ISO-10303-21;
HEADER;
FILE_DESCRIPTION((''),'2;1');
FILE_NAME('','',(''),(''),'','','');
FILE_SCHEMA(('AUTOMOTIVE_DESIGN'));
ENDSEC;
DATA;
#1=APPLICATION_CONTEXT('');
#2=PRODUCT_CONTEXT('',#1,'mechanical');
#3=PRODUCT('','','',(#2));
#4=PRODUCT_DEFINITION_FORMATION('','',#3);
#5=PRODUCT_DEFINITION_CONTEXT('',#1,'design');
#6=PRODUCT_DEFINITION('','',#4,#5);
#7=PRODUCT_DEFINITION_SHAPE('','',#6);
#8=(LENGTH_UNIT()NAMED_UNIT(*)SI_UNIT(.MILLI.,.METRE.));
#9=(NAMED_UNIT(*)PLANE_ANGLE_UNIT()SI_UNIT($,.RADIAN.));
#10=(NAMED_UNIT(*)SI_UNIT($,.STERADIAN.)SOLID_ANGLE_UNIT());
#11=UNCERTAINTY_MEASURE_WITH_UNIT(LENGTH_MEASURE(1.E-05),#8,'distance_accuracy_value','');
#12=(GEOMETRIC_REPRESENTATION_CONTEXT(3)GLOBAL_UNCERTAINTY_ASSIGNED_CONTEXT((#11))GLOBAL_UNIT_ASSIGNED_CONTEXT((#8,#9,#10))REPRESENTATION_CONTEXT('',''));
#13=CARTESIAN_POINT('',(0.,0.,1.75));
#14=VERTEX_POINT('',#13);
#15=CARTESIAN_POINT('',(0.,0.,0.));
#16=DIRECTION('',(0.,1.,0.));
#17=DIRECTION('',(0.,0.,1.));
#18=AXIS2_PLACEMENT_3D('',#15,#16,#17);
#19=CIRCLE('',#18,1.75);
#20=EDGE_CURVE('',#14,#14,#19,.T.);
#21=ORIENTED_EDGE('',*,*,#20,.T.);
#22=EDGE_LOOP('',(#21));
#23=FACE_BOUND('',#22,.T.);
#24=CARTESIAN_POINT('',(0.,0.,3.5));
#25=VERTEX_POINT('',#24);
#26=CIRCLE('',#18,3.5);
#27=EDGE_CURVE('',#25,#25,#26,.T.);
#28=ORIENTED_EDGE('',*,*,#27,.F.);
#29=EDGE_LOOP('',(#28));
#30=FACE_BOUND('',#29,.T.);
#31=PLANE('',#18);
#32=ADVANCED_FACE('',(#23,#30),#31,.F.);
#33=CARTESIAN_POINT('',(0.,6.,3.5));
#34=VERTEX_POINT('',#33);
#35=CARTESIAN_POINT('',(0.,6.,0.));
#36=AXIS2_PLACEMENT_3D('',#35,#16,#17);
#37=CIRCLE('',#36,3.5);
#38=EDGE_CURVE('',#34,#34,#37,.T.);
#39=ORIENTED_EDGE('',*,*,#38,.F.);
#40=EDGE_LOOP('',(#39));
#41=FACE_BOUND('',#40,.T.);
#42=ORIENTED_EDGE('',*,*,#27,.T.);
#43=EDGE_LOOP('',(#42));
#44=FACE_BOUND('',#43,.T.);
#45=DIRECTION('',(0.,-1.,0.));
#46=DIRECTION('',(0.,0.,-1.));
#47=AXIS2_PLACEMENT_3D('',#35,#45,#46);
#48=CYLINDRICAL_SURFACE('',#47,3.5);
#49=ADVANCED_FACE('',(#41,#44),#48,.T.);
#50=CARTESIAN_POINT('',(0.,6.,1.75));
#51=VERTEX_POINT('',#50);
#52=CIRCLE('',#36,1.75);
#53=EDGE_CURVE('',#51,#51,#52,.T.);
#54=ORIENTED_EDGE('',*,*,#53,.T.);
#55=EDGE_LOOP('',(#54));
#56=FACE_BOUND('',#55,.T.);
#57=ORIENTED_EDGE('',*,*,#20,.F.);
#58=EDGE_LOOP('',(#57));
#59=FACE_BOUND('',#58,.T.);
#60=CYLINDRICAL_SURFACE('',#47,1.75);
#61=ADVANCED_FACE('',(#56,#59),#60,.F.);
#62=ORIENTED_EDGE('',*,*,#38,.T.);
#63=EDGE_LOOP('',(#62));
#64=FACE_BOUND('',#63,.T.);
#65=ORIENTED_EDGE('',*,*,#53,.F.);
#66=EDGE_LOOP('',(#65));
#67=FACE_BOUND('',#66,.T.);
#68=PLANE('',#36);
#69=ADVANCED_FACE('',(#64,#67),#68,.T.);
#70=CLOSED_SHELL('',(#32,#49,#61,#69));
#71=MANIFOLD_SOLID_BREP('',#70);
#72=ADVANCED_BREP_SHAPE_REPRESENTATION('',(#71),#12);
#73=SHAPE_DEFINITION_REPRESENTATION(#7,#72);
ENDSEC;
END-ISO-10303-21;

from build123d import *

# Parameters (mm, degrees)
SKETCH1_R           = 3.5
SKETCH1_R_2         = 1.75
BOSS_EXTRUDE1_DEPTH = 6


with BuildPart() as part:
    # Sketch1 → Boss-Extrude1 (new body)
    with BuildSketch(Plane(origin=(0, 0, 0), x_dir=(1, 0, 0), z_dir=(0, 1, 0))):
        Circle(SKETCH1_R)
        Circle(SKETCH1_R_2, mode=Mode.SUBTRACT)
    extrude(amount=BOSS_EXTRUDE1_DEPTH)


solid = part.part
